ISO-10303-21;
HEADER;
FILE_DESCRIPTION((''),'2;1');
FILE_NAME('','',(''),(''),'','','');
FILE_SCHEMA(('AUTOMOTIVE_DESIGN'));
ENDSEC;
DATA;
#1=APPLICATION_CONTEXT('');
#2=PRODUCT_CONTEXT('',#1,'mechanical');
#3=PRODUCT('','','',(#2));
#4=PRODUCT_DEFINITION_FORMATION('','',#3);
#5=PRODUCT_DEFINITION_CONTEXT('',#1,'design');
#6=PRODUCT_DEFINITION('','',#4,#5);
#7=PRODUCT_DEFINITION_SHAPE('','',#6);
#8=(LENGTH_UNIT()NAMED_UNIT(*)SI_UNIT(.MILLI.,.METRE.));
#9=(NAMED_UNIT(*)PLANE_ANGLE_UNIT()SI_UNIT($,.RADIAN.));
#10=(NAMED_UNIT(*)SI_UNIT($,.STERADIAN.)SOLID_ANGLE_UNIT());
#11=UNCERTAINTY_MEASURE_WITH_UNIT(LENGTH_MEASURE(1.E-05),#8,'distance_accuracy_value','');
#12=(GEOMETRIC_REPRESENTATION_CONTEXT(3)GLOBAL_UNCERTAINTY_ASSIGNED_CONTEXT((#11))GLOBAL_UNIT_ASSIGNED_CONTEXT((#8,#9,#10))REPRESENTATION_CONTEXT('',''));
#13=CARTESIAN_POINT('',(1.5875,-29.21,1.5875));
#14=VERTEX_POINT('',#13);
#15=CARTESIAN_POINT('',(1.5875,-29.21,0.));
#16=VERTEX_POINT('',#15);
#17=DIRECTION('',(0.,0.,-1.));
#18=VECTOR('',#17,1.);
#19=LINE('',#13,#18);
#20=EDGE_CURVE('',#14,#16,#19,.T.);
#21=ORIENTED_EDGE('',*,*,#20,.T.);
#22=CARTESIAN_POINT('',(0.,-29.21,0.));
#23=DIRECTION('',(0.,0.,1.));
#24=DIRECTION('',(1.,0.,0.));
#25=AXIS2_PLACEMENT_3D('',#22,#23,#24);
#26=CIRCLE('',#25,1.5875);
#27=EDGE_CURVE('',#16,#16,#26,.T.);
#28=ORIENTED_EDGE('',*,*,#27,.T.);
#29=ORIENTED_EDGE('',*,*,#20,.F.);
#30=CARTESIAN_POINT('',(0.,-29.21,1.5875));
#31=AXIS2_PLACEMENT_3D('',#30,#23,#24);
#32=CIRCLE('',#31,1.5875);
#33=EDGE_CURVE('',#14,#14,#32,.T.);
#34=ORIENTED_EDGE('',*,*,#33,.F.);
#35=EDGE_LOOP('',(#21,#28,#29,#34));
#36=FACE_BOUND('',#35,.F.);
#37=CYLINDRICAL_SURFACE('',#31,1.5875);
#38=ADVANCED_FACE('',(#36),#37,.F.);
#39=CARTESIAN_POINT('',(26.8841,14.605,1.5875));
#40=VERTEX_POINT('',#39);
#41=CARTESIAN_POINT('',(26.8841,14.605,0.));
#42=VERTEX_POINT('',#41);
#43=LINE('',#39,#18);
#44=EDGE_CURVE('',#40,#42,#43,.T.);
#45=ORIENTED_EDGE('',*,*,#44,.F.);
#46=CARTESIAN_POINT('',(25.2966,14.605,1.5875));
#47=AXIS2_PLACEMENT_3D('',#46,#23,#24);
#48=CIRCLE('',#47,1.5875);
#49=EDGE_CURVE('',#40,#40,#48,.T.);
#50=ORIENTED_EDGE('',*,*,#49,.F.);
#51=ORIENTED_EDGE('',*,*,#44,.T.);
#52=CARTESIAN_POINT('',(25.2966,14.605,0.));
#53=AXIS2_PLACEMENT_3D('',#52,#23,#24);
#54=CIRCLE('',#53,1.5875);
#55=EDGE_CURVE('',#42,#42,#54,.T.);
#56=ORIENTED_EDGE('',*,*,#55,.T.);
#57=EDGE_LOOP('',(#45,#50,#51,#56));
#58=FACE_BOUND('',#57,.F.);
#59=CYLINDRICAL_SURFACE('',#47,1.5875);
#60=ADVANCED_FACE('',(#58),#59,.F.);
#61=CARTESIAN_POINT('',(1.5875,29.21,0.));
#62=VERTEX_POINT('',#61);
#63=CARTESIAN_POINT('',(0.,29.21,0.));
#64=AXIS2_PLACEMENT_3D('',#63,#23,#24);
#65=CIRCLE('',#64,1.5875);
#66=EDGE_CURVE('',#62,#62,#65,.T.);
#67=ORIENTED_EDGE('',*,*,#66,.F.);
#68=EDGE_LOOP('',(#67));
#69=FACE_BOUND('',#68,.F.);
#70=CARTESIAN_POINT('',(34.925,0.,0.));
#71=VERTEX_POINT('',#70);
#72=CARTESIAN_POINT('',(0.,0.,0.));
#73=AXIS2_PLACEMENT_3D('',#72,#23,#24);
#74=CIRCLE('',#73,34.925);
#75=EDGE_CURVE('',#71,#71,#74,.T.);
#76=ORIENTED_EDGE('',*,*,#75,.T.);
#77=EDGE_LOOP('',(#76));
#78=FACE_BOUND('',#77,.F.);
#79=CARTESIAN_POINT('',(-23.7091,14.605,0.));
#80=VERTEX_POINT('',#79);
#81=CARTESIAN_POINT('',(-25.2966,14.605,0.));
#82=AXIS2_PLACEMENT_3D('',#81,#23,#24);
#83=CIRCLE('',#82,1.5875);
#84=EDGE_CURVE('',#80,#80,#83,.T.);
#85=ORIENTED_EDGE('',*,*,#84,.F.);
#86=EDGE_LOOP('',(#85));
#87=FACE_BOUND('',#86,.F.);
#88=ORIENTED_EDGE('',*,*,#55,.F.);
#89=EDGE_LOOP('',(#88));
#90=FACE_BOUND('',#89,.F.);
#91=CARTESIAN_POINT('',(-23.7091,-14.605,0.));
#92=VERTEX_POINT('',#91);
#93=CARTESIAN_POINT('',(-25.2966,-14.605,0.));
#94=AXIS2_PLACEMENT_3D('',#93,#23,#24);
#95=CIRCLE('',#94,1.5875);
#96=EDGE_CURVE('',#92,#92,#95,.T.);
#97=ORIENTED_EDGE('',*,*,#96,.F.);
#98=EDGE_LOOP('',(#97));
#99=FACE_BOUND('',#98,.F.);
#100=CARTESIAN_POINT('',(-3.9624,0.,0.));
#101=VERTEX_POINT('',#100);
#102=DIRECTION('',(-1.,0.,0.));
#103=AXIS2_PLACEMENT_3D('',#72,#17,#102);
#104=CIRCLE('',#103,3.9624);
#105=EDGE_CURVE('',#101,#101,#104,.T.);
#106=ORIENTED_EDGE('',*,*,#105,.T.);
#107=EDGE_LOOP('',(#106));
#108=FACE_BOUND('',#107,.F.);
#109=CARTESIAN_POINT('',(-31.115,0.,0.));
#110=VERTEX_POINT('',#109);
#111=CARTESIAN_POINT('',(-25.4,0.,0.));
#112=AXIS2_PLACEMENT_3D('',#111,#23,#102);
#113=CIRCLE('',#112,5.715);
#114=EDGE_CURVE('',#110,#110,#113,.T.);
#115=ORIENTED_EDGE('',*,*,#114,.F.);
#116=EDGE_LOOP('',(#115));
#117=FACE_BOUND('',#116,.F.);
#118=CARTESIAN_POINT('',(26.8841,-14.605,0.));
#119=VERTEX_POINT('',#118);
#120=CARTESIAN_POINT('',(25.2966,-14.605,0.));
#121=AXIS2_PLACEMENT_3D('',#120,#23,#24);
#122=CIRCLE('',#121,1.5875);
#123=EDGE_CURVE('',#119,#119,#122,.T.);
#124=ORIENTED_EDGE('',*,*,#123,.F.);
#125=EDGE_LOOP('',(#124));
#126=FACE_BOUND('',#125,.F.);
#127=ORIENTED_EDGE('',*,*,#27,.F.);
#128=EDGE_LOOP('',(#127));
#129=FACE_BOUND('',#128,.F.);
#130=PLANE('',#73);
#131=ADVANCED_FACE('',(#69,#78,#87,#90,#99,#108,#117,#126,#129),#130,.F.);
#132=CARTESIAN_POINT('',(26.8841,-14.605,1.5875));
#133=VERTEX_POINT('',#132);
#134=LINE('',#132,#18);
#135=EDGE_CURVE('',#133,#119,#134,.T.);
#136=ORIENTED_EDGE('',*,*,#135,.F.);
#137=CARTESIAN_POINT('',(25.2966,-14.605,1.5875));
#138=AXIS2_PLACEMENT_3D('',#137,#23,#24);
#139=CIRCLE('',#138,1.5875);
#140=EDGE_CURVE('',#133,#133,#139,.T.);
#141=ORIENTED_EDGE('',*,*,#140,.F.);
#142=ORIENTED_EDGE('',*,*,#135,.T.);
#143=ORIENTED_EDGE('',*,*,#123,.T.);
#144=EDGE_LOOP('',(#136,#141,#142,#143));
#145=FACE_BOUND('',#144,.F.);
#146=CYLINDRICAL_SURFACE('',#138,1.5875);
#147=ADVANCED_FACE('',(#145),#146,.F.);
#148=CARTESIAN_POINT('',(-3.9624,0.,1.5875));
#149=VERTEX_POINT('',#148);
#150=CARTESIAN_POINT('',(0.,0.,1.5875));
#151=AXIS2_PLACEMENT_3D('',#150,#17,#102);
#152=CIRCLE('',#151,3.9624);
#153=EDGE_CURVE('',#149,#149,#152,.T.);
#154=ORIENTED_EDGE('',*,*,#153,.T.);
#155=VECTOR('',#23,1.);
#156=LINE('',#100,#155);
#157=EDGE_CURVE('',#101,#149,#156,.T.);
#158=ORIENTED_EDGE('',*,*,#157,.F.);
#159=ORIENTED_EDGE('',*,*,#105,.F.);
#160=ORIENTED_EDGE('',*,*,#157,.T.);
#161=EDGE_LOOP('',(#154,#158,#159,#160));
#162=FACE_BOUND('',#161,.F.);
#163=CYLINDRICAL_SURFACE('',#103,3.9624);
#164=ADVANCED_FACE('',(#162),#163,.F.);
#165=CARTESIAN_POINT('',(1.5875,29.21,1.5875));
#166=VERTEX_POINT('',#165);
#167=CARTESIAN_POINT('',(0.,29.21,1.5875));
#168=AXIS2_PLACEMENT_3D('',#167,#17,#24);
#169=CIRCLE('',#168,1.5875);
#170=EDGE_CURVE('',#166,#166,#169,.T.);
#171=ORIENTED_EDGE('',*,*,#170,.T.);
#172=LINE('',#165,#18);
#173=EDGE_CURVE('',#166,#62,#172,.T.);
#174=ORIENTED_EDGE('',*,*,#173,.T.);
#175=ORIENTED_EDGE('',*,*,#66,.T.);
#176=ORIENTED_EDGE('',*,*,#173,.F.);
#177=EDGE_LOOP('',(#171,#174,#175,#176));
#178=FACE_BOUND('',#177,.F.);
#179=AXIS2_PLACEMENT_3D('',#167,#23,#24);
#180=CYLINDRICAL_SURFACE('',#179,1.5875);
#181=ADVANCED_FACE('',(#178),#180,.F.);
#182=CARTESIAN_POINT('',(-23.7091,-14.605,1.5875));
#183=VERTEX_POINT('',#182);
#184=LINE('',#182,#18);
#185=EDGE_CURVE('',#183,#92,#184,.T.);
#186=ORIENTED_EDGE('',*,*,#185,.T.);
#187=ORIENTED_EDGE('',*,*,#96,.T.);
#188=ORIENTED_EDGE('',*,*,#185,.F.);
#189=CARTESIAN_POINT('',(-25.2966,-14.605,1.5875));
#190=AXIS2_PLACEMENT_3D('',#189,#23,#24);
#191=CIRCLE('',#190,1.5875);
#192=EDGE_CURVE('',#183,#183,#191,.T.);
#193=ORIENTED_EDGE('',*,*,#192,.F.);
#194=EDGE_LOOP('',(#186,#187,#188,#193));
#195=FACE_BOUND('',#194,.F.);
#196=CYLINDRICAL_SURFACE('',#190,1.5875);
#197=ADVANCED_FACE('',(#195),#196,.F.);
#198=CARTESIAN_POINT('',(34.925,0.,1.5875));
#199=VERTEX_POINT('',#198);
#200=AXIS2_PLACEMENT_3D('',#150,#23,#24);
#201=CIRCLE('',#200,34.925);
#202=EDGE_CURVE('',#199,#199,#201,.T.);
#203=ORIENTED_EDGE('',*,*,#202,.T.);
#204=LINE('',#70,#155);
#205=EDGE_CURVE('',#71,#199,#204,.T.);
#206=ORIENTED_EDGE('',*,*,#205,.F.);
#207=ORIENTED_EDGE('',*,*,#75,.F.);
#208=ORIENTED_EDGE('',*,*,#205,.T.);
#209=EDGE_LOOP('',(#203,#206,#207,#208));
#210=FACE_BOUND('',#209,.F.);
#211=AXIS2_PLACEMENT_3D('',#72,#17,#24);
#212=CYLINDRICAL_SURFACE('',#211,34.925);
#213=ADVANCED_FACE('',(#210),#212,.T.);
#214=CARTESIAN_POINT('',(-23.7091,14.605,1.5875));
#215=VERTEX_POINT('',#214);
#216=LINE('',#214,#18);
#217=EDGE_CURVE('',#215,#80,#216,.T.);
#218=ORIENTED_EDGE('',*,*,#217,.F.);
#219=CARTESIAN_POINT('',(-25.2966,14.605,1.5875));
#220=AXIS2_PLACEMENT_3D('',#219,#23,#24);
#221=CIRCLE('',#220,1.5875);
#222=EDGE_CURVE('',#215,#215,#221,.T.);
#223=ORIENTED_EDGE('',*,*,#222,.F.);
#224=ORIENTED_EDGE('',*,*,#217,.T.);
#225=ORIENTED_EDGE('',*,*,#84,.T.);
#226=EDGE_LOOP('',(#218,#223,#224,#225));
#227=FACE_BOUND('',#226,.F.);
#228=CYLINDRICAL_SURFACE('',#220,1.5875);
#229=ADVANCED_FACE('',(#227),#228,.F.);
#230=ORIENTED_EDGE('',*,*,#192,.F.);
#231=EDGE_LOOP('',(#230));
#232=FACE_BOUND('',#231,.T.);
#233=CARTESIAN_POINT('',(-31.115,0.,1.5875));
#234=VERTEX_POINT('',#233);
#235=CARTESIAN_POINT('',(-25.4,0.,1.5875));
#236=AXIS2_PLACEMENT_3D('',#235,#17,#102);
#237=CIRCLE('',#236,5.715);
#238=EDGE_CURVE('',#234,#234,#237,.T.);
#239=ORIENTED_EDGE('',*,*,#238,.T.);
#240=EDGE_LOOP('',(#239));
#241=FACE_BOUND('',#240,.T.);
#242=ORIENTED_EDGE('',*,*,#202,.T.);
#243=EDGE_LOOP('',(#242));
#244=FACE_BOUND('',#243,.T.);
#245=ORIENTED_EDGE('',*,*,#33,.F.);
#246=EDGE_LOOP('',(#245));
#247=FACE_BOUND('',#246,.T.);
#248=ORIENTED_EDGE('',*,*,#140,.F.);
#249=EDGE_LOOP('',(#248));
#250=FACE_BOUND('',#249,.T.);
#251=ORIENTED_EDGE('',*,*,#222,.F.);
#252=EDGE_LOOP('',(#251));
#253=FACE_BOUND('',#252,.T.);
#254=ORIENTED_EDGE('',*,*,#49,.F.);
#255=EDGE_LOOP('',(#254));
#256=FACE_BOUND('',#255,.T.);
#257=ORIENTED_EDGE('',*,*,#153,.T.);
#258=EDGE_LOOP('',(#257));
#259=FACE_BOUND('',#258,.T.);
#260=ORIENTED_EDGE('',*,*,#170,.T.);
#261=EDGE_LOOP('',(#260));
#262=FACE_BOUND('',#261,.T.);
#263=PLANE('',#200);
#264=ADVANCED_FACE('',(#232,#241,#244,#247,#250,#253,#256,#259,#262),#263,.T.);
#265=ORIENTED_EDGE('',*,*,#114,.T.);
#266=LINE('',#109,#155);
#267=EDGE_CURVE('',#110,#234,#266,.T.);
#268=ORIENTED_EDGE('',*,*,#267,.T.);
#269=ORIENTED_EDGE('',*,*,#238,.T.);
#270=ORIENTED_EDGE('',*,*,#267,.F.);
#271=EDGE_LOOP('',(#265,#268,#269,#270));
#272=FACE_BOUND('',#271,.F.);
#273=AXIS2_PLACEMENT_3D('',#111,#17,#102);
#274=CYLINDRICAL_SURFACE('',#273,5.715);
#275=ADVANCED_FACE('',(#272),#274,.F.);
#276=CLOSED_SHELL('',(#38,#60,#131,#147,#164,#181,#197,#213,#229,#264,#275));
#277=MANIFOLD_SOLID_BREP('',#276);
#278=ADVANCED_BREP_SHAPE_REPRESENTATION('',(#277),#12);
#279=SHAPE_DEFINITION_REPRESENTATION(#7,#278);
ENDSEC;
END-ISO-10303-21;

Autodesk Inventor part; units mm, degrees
ref_plane "YZ Plane" through (0, 0, 0) normal (1, 0, 0) x (0, 1, 0)
ref_plane "XZ Plane" through (0, 0, 0) normal (0, 1, 0) x (-1, 0, 0)
ref_plane "XY Plane" through (0, 0, 0) normal (0, 0, 1) x (1, 0, 0)
sketch "Sketch1" plane through (0, 0, 0) normal (0, 0, 1) x (1, 0, 0)
  circle A0 centre (0, 0) radius 34.925
  dimension "d0" = 69.85
extrude "Extrusion1" add sketch "Sketch1" along normal blind 1.5875
sketch "Sketch2" plane through (0, 0, 1.5875) normal (0, 0, 1) x (1, 0, 0)
  line L0 (0, 0) -> (0, 29.21)
  circle A0 centre (0, 29.21) radius 1.5875
  circle A1 centre (-25.2966, 14.605) radius 1.5875
  circle A2 centre (-25.2966, -14.605) radius 1.5875
  circle A3 centre (0, -29.21) radius 1.5875
  circle A4 centre (25.2966, -14.605) radius 1.5875
  circle A5 centre (25.2966, 14.605) radius 1.5875
  dimension "d3" = 29.21
  dimension "d4" = 3.175
  dimension "d7" = 360
extrude "Extrusion2" cut sketch "Sketch2" against normal blind 2.4765
sketch "Sketch3" plane through (0, 0, 0) normal (0, 0, -1) x (-1, 0, 0)
  line L0 (0, 0) -> (25.4, 0)
  circle A0 centre (25.4, 0) radius 5.715
  dimension "d11" = 25.4
  dimension "d12" = 11.43
extrude "Extrusion3" cut sketch "Sketch3" against normal blind 2.4765
sketch "Sketch4" plane through (0, 0, 0) normal (0, 0, -1) x (-1, 0, 0)
  circle A0 centre (0, 0) radius 3.9624
  dimension "d15" = 7.9248
extrude "Extrusion4" cut sketch "Sketch4" against normal blind 2.4765
properties part number "pistonSealingWallFront" material "ABS Plastic"
